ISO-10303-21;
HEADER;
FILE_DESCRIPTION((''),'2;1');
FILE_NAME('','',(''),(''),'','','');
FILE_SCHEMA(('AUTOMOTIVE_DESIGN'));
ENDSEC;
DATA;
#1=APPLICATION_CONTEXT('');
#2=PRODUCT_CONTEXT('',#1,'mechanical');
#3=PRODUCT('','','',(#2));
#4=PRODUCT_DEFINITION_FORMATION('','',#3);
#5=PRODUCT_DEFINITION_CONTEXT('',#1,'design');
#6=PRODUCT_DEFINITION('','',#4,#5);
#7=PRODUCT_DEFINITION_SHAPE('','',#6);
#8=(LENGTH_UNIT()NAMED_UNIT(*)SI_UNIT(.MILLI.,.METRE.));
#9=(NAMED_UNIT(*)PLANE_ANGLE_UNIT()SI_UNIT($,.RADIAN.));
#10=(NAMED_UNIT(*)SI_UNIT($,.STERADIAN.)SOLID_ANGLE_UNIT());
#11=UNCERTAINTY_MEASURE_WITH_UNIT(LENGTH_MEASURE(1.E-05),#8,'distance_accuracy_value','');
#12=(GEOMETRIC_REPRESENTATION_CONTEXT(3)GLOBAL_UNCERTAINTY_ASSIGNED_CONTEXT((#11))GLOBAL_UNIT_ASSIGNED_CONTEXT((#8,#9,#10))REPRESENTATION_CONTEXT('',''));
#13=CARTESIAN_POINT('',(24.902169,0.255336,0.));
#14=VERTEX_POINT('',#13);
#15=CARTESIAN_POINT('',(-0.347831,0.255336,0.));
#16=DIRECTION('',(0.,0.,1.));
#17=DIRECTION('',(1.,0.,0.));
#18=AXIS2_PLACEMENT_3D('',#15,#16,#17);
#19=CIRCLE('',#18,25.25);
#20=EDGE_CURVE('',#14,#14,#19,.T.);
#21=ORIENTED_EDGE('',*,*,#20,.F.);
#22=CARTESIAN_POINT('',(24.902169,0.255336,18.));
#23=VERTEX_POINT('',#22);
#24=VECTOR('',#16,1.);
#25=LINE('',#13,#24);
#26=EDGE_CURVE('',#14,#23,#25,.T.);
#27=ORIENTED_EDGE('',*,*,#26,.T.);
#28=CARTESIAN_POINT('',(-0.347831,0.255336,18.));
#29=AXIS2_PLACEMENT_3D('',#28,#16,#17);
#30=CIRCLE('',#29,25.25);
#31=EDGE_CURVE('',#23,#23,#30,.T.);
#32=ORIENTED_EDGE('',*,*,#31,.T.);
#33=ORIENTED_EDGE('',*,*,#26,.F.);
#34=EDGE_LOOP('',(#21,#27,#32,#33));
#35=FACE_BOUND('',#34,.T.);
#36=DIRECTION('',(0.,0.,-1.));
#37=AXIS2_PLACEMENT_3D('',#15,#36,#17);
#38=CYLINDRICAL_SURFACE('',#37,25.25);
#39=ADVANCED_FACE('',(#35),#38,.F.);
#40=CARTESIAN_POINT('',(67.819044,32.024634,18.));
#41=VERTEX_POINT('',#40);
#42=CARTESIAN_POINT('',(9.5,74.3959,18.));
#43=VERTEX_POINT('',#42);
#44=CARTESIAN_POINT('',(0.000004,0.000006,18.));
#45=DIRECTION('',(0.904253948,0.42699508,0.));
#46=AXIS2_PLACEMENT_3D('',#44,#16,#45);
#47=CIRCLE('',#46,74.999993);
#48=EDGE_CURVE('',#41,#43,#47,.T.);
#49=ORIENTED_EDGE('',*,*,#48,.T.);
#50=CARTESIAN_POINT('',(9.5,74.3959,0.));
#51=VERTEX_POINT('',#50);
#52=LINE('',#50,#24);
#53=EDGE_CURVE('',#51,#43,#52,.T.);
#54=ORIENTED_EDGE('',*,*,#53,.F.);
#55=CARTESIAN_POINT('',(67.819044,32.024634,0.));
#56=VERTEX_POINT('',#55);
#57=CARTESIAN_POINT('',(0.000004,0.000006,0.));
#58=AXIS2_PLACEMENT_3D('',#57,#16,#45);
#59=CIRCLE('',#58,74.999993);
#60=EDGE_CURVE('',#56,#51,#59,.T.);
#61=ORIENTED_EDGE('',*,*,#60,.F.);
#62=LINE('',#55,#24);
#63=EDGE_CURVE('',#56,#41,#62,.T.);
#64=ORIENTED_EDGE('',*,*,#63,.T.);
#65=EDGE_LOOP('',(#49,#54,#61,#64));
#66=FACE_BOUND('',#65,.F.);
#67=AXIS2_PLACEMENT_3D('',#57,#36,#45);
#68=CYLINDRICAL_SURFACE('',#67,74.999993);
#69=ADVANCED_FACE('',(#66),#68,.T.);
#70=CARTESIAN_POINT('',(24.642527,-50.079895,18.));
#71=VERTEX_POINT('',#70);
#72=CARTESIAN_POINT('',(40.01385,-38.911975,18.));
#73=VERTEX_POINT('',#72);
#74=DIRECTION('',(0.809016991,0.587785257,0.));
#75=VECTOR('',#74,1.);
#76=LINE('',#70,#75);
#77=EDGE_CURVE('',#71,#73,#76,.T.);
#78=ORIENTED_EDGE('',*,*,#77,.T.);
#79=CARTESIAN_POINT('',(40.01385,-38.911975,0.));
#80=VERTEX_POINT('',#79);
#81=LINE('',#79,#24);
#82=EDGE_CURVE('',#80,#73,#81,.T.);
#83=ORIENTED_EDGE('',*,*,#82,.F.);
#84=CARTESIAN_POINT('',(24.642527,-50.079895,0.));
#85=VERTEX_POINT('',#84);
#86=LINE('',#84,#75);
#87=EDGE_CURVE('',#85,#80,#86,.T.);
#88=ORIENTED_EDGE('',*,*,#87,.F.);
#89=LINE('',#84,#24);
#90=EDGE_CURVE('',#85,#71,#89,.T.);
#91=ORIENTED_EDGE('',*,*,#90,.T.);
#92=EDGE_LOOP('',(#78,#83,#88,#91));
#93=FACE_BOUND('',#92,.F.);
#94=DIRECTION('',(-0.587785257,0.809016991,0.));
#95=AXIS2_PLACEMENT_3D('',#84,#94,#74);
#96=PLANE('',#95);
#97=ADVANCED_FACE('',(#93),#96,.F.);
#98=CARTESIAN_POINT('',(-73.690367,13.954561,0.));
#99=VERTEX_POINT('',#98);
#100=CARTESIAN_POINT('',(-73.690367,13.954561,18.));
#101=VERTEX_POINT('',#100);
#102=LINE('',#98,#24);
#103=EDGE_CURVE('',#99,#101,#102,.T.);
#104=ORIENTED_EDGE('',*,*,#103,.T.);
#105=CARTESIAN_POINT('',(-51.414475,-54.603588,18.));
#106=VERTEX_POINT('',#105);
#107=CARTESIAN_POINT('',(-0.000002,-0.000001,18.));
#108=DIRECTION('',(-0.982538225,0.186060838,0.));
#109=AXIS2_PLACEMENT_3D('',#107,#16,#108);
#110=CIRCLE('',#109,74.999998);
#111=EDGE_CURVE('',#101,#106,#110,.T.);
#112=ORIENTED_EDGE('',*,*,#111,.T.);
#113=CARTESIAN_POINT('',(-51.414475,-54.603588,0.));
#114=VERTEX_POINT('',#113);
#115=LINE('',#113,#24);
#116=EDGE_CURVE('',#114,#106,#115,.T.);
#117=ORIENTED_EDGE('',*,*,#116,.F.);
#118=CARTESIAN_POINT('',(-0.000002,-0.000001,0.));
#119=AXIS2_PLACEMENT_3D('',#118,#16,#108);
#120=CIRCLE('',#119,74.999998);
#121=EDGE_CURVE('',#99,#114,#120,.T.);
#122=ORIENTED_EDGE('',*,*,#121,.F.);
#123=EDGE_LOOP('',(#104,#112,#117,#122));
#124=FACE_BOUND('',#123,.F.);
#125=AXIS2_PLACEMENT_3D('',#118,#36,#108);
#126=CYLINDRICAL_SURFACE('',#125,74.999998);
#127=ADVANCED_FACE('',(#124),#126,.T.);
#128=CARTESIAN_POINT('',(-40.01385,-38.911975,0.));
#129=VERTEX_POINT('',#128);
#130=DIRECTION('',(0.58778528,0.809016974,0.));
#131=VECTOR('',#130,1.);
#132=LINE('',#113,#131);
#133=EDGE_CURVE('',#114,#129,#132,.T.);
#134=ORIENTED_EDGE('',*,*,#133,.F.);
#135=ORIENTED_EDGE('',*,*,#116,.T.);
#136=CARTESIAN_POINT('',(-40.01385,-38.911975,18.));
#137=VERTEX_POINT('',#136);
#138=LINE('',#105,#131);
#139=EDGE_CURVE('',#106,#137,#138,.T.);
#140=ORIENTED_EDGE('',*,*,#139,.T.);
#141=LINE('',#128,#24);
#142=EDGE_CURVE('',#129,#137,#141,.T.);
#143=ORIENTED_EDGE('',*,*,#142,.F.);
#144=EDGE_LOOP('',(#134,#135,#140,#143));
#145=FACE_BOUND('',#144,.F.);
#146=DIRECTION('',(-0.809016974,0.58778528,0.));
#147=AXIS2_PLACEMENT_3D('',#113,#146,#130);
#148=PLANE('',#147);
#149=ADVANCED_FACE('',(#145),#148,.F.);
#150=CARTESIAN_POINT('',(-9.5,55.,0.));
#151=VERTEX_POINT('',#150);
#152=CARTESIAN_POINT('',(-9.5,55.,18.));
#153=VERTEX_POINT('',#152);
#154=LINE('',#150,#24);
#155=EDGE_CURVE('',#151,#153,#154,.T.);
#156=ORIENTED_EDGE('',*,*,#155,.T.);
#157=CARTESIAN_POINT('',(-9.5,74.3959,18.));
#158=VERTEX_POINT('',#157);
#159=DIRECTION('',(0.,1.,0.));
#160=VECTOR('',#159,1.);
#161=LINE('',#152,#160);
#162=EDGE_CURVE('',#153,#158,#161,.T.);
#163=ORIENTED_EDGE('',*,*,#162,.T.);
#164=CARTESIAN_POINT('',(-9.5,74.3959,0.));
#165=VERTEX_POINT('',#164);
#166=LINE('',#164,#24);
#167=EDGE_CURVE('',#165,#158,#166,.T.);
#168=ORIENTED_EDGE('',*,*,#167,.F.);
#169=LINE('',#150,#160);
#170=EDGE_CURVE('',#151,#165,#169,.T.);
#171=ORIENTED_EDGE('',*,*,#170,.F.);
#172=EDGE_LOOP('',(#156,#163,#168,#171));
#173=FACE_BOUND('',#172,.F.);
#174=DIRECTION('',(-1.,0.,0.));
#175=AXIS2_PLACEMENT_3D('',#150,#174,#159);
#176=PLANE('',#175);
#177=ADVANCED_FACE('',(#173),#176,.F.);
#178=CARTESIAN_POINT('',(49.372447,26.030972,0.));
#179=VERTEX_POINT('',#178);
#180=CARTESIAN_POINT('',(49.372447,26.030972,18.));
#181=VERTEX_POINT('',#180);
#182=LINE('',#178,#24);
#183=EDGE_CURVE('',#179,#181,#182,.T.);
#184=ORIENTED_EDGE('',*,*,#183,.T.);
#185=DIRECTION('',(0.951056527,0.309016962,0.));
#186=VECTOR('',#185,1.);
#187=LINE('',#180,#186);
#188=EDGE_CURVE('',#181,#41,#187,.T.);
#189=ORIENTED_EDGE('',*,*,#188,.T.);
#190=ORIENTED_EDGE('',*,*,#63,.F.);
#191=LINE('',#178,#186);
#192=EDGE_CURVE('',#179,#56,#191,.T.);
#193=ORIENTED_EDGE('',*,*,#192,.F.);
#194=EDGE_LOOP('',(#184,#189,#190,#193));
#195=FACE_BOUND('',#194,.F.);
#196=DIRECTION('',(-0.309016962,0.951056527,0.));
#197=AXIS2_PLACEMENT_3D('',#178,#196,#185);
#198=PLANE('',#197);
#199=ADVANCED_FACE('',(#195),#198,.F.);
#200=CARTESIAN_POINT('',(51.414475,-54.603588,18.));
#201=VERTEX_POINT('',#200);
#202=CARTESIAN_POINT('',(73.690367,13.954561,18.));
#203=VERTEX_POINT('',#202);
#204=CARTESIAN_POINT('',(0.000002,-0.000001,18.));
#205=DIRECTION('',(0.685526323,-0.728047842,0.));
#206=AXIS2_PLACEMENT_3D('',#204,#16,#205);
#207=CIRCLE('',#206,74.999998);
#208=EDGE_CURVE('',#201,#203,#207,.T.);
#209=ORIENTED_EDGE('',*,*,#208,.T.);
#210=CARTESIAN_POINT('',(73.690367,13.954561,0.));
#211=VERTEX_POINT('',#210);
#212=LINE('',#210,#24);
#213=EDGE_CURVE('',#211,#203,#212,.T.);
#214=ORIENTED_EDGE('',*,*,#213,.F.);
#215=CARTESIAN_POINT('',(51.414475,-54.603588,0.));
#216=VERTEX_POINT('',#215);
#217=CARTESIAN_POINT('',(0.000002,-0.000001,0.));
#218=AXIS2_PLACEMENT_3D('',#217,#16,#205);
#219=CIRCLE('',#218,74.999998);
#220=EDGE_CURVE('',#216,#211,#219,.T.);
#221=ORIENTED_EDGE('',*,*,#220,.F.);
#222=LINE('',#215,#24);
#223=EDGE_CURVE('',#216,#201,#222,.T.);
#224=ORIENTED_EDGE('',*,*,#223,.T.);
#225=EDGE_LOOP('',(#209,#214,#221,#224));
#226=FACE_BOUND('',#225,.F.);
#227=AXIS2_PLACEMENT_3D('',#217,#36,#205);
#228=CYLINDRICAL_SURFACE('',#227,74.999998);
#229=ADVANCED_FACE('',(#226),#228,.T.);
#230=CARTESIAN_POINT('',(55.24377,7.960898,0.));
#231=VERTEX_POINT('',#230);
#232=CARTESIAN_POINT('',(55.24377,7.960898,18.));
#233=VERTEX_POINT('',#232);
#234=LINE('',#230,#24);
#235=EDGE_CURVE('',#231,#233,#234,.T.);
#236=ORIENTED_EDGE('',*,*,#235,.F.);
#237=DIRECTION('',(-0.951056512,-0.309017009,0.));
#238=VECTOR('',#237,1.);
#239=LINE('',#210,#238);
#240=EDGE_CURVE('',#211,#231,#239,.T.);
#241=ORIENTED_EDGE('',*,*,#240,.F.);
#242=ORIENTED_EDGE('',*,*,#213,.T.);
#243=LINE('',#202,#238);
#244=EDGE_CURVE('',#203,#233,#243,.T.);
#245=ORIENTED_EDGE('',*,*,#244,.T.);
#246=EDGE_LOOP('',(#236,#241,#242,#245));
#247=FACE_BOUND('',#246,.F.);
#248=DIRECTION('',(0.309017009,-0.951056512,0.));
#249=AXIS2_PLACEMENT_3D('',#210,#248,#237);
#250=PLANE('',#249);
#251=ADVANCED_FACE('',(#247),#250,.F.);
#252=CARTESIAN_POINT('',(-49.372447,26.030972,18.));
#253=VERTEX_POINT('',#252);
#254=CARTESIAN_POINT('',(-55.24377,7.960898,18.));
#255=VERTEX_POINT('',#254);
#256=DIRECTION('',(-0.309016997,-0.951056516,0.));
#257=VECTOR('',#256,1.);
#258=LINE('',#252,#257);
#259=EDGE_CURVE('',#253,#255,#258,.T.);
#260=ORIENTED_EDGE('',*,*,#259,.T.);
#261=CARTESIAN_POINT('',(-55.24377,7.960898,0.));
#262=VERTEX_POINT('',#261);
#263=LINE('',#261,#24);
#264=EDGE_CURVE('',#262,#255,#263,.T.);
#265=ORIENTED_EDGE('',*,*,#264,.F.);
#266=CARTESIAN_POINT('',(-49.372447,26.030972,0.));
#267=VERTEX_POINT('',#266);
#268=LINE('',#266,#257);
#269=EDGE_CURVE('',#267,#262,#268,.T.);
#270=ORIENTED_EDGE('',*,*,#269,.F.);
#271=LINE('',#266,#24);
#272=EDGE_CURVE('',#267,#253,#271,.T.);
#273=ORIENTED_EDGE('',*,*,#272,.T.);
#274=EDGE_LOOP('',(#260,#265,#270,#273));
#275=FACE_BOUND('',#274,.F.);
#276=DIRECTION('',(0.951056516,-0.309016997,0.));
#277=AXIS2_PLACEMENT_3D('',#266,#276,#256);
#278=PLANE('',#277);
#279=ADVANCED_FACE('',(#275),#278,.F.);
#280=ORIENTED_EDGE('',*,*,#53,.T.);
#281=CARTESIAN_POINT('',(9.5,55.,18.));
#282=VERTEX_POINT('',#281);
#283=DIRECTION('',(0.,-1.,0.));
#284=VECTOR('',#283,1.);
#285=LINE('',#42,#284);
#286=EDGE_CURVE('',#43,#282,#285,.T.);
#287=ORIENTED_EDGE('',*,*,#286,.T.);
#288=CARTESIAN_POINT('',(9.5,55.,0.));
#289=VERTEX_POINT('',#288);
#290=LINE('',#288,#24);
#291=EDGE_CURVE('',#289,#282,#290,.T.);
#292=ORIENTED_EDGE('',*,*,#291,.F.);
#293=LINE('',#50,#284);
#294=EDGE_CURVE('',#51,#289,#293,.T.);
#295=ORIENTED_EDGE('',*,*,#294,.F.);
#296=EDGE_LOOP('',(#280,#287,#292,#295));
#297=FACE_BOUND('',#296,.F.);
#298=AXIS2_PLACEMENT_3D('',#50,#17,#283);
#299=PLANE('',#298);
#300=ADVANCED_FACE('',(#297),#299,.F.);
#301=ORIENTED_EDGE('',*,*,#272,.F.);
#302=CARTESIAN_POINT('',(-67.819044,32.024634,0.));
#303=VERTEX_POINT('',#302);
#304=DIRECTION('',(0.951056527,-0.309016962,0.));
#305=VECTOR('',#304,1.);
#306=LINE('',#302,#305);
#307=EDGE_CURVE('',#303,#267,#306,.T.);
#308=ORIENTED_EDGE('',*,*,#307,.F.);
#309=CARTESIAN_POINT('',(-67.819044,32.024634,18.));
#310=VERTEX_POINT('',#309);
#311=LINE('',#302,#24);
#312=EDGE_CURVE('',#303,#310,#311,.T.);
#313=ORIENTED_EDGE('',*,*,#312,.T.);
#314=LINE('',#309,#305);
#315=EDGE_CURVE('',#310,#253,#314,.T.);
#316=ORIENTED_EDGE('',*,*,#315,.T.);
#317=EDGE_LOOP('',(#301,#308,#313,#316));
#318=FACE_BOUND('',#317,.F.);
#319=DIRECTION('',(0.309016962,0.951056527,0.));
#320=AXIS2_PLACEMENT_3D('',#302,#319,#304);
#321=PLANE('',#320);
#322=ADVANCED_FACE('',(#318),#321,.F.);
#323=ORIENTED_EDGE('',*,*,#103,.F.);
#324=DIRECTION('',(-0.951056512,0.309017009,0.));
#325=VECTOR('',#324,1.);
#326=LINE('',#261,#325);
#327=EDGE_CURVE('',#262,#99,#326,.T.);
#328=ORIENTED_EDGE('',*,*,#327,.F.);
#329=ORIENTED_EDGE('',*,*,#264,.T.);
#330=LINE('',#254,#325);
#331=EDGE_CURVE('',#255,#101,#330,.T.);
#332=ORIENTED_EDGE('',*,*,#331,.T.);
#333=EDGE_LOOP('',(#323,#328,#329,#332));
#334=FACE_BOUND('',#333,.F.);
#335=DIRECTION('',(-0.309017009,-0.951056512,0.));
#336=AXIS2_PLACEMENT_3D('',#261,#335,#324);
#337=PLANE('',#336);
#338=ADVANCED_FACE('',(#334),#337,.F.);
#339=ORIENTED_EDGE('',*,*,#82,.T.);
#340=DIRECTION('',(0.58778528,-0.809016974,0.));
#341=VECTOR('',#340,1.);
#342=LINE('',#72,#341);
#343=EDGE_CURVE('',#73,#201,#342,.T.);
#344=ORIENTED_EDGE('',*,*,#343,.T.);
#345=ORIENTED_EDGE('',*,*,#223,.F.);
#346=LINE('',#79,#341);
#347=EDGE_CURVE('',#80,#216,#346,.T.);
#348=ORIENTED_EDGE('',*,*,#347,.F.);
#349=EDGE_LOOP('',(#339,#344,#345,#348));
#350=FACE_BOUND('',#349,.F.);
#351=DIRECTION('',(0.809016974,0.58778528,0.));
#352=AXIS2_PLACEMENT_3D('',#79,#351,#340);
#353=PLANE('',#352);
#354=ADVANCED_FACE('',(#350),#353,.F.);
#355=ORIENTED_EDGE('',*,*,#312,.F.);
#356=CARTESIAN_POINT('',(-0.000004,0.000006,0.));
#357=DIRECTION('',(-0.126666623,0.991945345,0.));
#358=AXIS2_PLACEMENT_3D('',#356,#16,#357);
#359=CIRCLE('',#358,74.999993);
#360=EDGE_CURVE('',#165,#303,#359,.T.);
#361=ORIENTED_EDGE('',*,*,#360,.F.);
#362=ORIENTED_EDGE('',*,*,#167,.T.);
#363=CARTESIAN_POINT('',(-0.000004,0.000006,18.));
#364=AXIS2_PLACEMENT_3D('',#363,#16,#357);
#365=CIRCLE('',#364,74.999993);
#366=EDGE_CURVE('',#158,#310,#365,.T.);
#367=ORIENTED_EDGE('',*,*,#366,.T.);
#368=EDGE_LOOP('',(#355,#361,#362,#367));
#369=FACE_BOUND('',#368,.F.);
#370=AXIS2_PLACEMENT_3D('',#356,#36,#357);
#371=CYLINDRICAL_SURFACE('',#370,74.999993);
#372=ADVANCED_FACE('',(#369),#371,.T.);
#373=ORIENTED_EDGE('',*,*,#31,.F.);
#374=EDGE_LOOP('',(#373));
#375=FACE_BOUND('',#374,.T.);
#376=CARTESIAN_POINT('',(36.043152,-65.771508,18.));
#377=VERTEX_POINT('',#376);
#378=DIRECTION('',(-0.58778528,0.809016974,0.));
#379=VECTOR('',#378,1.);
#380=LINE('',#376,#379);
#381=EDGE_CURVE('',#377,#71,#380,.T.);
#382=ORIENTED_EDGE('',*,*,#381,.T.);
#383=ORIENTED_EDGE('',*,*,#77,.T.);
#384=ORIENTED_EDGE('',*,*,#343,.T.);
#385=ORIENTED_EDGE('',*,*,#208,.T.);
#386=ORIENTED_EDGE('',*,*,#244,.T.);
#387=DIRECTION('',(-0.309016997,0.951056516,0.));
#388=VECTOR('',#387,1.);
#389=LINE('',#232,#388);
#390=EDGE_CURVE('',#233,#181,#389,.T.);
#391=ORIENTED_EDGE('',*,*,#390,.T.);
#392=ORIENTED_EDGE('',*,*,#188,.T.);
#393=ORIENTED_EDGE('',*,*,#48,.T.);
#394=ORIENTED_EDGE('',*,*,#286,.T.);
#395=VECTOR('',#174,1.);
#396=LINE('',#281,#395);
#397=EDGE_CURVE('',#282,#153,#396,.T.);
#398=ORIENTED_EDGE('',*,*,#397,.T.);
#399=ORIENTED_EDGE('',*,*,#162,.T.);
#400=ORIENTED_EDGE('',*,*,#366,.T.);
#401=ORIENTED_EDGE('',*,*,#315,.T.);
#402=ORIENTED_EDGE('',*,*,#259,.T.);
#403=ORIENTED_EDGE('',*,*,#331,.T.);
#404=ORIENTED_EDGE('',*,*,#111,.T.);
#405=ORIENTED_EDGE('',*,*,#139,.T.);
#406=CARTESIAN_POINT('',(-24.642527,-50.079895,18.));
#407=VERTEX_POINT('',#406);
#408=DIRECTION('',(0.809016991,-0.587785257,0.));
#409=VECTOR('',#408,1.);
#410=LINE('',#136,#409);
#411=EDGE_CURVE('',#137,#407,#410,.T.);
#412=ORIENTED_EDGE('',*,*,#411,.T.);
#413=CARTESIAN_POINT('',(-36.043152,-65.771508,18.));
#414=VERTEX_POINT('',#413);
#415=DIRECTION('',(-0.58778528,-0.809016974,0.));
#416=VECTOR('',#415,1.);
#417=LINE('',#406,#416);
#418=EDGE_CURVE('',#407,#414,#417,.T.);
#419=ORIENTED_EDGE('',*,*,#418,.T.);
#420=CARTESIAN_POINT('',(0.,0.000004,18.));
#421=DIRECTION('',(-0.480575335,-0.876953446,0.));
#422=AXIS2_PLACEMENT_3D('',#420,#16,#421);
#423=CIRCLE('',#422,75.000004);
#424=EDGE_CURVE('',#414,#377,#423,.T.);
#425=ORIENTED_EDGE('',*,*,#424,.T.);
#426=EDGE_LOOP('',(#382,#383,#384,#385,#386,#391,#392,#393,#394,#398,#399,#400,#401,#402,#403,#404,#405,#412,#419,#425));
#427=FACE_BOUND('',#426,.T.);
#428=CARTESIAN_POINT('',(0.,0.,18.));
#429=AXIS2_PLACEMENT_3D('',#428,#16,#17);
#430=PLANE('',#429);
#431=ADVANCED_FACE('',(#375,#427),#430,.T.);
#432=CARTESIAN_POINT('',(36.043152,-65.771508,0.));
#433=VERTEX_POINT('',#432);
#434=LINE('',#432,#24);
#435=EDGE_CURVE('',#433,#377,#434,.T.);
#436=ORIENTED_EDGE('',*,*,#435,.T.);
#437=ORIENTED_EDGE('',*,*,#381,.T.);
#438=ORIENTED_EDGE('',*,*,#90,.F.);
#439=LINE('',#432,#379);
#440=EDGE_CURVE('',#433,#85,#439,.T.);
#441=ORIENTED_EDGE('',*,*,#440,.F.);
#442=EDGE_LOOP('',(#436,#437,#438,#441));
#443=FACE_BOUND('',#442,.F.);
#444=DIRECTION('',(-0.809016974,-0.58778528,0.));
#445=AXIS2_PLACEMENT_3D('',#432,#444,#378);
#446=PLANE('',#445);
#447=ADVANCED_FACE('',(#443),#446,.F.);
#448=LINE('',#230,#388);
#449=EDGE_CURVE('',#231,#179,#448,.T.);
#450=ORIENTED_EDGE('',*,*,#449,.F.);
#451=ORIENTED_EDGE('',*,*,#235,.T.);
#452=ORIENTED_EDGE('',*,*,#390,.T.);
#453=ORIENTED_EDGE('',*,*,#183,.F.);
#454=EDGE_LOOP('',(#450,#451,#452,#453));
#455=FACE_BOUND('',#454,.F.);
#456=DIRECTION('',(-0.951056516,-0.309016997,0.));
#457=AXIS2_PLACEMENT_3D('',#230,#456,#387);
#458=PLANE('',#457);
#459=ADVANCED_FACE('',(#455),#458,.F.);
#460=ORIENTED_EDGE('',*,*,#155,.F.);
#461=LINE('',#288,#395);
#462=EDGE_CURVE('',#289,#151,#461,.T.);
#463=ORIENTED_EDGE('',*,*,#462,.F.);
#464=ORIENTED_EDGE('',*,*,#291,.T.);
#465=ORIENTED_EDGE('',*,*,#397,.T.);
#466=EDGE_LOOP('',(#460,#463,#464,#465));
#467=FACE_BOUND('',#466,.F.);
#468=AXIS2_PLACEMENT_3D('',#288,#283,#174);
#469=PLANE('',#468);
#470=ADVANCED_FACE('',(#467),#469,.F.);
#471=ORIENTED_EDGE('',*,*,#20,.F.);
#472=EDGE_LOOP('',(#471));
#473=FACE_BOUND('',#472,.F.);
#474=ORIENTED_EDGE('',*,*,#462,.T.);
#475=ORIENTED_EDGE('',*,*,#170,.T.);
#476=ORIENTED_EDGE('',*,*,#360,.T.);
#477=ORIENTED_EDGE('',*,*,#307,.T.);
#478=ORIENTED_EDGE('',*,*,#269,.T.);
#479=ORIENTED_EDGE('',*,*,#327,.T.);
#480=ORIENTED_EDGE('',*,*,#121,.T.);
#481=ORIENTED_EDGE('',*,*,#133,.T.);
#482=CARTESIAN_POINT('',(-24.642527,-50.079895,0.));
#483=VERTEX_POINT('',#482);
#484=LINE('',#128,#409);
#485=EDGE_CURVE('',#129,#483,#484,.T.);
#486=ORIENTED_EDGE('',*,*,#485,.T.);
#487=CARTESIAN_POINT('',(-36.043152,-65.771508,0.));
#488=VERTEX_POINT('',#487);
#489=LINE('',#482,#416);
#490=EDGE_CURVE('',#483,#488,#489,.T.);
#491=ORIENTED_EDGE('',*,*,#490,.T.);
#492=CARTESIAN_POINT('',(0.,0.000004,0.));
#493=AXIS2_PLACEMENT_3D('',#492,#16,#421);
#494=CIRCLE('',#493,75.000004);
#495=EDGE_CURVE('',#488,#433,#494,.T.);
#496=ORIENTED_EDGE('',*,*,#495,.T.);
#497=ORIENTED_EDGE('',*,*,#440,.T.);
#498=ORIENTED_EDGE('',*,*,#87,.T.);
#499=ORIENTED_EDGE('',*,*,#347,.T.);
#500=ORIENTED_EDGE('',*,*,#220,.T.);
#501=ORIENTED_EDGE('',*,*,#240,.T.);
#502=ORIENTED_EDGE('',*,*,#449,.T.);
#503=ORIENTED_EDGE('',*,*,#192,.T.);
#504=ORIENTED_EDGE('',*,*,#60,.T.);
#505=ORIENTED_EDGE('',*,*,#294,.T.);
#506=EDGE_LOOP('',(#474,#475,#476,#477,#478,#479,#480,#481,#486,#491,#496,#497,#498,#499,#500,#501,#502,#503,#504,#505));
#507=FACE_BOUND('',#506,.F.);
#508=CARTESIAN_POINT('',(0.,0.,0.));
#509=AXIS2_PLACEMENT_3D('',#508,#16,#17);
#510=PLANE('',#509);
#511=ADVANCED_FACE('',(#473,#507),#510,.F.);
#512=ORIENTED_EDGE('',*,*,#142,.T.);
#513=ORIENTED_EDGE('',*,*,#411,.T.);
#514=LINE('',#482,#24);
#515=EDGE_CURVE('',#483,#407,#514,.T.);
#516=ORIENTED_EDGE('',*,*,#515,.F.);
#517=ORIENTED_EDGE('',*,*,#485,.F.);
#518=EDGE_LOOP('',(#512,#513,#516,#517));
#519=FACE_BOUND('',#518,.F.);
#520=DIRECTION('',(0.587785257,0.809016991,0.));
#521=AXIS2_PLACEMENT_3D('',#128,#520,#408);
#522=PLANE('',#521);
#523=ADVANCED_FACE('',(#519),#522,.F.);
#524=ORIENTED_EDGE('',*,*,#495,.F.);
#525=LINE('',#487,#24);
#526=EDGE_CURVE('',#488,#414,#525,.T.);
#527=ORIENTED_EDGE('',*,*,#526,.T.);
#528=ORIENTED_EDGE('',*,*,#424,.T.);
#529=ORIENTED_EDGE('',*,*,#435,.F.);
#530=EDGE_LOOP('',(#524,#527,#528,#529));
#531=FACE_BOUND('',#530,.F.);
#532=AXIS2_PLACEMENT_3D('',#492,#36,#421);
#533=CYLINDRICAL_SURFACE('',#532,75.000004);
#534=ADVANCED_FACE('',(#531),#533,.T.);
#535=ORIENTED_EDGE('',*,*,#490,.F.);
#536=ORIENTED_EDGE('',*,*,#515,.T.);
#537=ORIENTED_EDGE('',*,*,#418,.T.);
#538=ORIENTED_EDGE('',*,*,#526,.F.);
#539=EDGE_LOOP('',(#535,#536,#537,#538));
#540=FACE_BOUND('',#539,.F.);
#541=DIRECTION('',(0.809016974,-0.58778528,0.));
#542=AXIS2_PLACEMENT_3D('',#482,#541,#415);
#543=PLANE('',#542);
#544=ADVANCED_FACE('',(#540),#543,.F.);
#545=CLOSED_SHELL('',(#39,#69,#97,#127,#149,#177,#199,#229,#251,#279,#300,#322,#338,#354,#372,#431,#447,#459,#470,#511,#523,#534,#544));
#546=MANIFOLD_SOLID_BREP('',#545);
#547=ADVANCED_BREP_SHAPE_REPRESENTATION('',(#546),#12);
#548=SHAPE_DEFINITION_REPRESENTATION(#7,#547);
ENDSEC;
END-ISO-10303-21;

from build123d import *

# Parameters (mm, degrees)
F0_R     = 25.25
F1_DEPTH = 18


with BuildPart() as f1:
    # F0 (on Top) → F1 (new body)
    with BuildSketch(Plane.XY):
        with BuildLine():
            Line((-9.5, 55), (-9.5, 74.3959))
            ThreePointArc((-9.5, 74.3959), (-44.083894, 60.676275), (-67.819044, 32.024634))
            Line((-67.819044, 32.024634), (-49.372447, 26.030972))
            Line((-49.372447, 26.030972), (-55.24377, 7.960898))
            Line((-55.24377, 7.960898), (-73.690367, 13.954561))
            ThreePointArc((-73.690367, 13.954561), (-71.329239, -23.176275), (-51.414475, -54.603588))
            Line((-51.414475, -54.603588), (-40.01385, -38.911975))
            Line((-40.01385, -38.911975), (-24.642527, -50.079895))
            Line((-24.642527, -50.079895), (-36.043152, -65.771508))
            ThreePointArc((-36.043152, -65.771508), (0, -75), (36.043152, -65.771508))
            Line((36.043152, -65.771508), (24.642527, -50.079895))
            Line((24.642527, -50.079895), (40.01385, -38.911975))
            Line((40.01385, -38.911975), (51.414475, -54.603588))
            ThreePointArc((51.414475, -54.603588), (71.329239, -23.176275), (73.690367, 13.954561))
            Line((73.690367, 13.954561), (55.24377, 7.960898))
            Line((55.24377, 7.960898), (49.372447, 26.030972))
            Line((49.372447, 26.030972), (67.819044, 32.024634))
            ThreePointArc((67.819044, 32.024634), (44.083894, 60.676275), (9.5, 74.3959))
            Line((9.5, 74.3959), (9.5, 55))
            Line((9.5, 55), (-9.5, 55))
        make_face()
        with Locations((-0.347831, 0.255336)):
            Circle(F0_R, mode=Mode.SUBTRACT)
    extrude(amount=F1_DEPTH)


solid = f1.part
